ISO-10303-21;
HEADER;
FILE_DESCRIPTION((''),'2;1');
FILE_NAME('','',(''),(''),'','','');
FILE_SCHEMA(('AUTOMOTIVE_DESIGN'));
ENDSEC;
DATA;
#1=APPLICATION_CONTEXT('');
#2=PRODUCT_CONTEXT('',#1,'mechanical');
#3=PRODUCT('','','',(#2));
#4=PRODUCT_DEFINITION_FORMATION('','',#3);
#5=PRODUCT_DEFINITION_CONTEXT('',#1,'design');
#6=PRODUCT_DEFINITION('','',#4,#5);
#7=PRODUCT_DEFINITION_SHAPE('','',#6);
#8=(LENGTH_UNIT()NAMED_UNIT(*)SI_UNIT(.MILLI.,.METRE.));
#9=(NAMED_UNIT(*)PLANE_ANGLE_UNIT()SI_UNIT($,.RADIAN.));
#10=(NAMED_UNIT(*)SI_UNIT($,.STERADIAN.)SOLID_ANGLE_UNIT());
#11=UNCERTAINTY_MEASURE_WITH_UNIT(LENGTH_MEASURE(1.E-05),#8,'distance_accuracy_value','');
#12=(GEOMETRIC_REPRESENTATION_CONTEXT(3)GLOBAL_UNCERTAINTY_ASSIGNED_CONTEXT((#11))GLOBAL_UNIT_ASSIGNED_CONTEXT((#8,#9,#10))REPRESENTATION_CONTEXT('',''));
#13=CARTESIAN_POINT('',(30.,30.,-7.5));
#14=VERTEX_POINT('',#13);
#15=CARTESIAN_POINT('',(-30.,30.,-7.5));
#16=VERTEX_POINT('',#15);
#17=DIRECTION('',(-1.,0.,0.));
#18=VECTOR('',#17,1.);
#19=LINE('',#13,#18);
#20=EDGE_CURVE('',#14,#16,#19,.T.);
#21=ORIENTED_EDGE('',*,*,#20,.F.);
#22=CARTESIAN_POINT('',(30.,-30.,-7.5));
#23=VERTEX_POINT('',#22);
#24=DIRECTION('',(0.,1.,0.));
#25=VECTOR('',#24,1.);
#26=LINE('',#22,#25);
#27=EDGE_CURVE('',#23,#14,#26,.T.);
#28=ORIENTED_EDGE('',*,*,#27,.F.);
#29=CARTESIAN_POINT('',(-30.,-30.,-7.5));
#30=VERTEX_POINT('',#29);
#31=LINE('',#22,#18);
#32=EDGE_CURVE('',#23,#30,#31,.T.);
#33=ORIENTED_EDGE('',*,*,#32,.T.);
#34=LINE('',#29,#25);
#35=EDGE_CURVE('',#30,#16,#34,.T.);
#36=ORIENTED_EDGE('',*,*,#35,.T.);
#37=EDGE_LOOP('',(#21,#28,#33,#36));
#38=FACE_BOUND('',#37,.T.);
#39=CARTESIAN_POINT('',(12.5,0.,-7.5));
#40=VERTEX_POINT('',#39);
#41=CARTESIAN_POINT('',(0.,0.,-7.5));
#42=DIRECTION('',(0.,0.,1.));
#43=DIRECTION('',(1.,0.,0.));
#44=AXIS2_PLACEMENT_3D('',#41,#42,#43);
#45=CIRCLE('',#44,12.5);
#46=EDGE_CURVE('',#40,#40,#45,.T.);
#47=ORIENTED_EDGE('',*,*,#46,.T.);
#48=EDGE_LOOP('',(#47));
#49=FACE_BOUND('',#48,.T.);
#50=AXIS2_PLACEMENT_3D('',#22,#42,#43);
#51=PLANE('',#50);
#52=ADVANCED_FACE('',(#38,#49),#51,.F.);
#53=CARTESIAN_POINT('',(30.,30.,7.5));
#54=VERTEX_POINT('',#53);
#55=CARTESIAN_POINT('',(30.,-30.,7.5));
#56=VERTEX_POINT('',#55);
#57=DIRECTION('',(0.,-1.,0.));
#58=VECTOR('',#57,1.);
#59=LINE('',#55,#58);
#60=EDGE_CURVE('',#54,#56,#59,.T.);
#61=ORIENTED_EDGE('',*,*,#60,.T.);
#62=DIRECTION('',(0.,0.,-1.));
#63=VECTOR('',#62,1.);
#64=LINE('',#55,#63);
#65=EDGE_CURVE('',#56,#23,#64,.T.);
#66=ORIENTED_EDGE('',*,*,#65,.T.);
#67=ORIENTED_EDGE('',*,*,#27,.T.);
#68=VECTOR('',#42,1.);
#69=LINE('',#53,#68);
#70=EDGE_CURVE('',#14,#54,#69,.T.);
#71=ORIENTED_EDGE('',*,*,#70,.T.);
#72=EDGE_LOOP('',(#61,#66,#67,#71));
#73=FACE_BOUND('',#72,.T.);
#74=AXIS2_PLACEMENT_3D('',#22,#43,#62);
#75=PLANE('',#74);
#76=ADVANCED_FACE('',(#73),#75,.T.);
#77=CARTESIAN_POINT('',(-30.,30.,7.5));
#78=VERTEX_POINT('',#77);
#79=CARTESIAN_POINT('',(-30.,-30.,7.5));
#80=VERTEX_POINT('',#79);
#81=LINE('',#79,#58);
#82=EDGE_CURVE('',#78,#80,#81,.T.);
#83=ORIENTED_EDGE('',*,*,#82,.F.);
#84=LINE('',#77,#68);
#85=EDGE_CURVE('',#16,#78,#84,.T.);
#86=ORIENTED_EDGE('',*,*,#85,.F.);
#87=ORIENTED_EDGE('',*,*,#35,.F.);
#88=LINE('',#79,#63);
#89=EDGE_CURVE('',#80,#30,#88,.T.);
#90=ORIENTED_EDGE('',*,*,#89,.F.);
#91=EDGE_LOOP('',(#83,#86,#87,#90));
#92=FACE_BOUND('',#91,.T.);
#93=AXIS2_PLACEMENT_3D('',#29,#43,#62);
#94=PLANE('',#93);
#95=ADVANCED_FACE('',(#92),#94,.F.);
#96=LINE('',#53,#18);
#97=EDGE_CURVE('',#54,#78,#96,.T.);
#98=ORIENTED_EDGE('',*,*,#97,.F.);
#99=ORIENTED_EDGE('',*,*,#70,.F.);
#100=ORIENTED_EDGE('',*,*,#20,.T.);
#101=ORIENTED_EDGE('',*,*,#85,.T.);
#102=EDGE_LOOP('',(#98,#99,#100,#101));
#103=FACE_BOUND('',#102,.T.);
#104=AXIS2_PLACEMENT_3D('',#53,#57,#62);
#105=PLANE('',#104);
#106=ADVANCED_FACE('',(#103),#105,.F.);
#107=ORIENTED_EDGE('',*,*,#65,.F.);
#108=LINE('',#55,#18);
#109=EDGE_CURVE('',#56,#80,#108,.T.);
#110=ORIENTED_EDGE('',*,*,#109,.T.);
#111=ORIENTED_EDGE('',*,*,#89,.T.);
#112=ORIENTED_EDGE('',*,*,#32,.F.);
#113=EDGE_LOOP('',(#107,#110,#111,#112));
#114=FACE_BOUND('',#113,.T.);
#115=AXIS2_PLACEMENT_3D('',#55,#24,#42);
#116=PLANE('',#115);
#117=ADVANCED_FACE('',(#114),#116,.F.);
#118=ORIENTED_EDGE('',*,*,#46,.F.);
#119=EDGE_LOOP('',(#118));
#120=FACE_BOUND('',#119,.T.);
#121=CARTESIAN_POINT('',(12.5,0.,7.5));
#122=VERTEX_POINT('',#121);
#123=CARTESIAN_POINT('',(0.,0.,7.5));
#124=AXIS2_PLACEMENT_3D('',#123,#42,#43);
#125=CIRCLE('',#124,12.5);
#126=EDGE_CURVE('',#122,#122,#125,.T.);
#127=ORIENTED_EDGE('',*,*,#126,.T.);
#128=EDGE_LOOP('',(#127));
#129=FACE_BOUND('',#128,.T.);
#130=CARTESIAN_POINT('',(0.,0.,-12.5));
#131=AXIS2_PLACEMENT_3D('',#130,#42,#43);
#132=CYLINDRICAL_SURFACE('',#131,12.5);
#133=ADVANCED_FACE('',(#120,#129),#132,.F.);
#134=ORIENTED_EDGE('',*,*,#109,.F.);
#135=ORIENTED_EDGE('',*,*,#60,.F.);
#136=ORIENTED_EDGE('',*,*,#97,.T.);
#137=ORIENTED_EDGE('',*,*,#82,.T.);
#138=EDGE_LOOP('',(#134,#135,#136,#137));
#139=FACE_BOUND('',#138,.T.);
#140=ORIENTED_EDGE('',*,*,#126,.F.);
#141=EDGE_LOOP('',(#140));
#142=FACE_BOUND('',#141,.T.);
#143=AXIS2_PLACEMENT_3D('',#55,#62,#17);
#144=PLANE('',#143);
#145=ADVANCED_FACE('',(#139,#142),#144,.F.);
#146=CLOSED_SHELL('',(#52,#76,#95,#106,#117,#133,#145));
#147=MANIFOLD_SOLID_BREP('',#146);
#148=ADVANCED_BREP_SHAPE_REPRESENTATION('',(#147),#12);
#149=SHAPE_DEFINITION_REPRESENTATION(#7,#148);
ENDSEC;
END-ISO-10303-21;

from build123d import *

# Parameters (mm, degrees)
PLAT_W                      = 60
PLAT_H                      = 15
EL_MENT_M_CANO_SOUD_1_DEPTH = 60
ESQUISSE2_R                 = 12.5
ENL_V_MAT_EXTRU_1_DEPTH     = 20


with BuildPart() as part:
    # plat → Elément mécano-soudé1 (new body)
    with BuildSketch(Plane.YZ.offset(-30)):
        Rectangle(PLAT_W, PLAT_H)
    extrude(amount=EL_MENT_M_CANO_SOUD_1_DEPTH)

    # Esquisse2 → Enlèv. mat.-Extru.1 (cut)
    with BuildSketch(Plane.XY.offset(7.5)):
        Circle(ESQUISSE2_R)
    extrude(amount=-ENL_V_MAT_EXTRU_1_DEPTH, mode=Mode.SUBTRACT)


solid = part.part
